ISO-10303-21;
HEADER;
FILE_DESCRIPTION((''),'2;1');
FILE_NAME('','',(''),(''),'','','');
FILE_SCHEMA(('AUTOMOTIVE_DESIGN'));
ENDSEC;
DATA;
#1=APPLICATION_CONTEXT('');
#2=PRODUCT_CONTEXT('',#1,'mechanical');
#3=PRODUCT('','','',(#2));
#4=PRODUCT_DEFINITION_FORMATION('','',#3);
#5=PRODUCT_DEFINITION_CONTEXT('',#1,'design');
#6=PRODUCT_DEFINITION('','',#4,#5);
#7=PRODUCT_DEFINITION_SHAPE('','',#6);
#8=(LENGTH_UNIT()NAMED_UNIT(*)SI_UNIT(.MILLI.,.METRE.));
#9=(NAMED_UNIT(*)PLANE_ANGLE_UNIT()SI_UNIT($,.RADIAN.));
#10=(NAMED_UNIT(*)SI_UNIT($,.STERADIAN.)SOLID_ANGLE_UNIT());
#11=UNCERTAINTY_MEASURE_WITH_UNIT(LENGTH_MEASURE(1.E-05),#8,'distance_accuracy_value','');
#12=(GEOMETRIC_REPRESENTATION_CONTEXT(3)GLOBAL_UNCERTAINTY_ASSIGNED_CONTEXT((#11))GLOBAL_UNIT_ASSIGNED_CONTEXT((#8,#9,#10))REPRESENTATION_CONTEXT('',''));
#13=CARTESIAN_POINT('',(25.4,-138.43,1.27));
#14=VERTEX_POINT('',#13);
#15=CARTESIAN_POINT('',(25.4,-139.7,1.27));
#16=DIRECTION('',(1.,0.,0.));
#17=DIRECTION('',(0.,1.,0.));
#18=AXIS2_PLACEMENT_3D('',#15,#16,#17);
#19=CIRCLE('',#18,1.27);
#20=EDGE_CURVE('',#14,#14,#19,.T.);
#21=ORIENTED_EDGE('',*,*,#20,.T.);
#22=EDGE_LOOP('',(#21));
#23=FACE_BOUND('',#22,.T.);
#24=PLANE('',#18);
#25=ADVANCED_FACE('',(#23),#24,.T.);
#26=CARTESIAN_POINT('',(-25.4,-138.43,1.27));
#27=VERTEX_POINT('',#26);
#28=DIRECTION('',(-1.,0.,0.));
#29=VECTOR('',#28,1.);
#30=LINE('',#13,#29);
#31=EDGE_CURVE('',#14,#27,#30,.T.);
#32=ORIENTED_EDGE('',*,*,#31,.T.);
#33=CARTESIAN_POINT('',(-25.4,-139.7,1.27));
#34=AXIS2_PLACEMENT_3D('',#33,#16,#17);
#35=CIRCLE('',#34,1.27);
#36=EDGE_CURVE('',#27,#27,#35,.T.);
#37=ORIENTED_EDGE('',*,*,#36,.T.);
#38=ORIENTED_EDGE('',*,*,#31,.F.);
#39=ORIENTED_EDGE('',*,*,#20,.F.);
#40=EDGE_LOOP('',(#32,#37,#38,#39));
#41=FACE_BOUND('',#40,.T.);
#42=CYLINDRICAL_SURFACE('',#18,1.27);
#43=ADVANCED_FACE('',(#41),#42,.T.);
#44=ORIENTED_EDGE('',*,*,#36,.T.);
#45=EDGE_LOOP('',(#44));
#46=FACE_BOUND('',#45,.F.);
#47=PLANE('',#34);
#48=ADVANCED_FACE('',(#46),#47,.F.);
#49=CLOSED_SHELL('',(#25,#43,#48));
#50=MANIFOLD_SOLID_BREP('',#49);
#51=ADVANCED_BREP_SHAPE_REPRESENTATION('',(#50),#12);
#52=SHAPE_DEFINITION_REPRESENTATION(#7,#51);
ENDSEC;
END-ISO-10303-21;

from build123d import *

# Parameters (mm, degrees)
F6_R     = 1.27
F7_DEPTH = 50.8


with BuildPart() as f7:
    # F6 (on line) → F7 (new body)
    with BuildSketch(Plane.YZ.offset(25.4)):
        with Locations((-139.7, 1.27)):
            Circle(F6_R)
    extrude(amount=-F7_DEPTH)


solid = f7.part
